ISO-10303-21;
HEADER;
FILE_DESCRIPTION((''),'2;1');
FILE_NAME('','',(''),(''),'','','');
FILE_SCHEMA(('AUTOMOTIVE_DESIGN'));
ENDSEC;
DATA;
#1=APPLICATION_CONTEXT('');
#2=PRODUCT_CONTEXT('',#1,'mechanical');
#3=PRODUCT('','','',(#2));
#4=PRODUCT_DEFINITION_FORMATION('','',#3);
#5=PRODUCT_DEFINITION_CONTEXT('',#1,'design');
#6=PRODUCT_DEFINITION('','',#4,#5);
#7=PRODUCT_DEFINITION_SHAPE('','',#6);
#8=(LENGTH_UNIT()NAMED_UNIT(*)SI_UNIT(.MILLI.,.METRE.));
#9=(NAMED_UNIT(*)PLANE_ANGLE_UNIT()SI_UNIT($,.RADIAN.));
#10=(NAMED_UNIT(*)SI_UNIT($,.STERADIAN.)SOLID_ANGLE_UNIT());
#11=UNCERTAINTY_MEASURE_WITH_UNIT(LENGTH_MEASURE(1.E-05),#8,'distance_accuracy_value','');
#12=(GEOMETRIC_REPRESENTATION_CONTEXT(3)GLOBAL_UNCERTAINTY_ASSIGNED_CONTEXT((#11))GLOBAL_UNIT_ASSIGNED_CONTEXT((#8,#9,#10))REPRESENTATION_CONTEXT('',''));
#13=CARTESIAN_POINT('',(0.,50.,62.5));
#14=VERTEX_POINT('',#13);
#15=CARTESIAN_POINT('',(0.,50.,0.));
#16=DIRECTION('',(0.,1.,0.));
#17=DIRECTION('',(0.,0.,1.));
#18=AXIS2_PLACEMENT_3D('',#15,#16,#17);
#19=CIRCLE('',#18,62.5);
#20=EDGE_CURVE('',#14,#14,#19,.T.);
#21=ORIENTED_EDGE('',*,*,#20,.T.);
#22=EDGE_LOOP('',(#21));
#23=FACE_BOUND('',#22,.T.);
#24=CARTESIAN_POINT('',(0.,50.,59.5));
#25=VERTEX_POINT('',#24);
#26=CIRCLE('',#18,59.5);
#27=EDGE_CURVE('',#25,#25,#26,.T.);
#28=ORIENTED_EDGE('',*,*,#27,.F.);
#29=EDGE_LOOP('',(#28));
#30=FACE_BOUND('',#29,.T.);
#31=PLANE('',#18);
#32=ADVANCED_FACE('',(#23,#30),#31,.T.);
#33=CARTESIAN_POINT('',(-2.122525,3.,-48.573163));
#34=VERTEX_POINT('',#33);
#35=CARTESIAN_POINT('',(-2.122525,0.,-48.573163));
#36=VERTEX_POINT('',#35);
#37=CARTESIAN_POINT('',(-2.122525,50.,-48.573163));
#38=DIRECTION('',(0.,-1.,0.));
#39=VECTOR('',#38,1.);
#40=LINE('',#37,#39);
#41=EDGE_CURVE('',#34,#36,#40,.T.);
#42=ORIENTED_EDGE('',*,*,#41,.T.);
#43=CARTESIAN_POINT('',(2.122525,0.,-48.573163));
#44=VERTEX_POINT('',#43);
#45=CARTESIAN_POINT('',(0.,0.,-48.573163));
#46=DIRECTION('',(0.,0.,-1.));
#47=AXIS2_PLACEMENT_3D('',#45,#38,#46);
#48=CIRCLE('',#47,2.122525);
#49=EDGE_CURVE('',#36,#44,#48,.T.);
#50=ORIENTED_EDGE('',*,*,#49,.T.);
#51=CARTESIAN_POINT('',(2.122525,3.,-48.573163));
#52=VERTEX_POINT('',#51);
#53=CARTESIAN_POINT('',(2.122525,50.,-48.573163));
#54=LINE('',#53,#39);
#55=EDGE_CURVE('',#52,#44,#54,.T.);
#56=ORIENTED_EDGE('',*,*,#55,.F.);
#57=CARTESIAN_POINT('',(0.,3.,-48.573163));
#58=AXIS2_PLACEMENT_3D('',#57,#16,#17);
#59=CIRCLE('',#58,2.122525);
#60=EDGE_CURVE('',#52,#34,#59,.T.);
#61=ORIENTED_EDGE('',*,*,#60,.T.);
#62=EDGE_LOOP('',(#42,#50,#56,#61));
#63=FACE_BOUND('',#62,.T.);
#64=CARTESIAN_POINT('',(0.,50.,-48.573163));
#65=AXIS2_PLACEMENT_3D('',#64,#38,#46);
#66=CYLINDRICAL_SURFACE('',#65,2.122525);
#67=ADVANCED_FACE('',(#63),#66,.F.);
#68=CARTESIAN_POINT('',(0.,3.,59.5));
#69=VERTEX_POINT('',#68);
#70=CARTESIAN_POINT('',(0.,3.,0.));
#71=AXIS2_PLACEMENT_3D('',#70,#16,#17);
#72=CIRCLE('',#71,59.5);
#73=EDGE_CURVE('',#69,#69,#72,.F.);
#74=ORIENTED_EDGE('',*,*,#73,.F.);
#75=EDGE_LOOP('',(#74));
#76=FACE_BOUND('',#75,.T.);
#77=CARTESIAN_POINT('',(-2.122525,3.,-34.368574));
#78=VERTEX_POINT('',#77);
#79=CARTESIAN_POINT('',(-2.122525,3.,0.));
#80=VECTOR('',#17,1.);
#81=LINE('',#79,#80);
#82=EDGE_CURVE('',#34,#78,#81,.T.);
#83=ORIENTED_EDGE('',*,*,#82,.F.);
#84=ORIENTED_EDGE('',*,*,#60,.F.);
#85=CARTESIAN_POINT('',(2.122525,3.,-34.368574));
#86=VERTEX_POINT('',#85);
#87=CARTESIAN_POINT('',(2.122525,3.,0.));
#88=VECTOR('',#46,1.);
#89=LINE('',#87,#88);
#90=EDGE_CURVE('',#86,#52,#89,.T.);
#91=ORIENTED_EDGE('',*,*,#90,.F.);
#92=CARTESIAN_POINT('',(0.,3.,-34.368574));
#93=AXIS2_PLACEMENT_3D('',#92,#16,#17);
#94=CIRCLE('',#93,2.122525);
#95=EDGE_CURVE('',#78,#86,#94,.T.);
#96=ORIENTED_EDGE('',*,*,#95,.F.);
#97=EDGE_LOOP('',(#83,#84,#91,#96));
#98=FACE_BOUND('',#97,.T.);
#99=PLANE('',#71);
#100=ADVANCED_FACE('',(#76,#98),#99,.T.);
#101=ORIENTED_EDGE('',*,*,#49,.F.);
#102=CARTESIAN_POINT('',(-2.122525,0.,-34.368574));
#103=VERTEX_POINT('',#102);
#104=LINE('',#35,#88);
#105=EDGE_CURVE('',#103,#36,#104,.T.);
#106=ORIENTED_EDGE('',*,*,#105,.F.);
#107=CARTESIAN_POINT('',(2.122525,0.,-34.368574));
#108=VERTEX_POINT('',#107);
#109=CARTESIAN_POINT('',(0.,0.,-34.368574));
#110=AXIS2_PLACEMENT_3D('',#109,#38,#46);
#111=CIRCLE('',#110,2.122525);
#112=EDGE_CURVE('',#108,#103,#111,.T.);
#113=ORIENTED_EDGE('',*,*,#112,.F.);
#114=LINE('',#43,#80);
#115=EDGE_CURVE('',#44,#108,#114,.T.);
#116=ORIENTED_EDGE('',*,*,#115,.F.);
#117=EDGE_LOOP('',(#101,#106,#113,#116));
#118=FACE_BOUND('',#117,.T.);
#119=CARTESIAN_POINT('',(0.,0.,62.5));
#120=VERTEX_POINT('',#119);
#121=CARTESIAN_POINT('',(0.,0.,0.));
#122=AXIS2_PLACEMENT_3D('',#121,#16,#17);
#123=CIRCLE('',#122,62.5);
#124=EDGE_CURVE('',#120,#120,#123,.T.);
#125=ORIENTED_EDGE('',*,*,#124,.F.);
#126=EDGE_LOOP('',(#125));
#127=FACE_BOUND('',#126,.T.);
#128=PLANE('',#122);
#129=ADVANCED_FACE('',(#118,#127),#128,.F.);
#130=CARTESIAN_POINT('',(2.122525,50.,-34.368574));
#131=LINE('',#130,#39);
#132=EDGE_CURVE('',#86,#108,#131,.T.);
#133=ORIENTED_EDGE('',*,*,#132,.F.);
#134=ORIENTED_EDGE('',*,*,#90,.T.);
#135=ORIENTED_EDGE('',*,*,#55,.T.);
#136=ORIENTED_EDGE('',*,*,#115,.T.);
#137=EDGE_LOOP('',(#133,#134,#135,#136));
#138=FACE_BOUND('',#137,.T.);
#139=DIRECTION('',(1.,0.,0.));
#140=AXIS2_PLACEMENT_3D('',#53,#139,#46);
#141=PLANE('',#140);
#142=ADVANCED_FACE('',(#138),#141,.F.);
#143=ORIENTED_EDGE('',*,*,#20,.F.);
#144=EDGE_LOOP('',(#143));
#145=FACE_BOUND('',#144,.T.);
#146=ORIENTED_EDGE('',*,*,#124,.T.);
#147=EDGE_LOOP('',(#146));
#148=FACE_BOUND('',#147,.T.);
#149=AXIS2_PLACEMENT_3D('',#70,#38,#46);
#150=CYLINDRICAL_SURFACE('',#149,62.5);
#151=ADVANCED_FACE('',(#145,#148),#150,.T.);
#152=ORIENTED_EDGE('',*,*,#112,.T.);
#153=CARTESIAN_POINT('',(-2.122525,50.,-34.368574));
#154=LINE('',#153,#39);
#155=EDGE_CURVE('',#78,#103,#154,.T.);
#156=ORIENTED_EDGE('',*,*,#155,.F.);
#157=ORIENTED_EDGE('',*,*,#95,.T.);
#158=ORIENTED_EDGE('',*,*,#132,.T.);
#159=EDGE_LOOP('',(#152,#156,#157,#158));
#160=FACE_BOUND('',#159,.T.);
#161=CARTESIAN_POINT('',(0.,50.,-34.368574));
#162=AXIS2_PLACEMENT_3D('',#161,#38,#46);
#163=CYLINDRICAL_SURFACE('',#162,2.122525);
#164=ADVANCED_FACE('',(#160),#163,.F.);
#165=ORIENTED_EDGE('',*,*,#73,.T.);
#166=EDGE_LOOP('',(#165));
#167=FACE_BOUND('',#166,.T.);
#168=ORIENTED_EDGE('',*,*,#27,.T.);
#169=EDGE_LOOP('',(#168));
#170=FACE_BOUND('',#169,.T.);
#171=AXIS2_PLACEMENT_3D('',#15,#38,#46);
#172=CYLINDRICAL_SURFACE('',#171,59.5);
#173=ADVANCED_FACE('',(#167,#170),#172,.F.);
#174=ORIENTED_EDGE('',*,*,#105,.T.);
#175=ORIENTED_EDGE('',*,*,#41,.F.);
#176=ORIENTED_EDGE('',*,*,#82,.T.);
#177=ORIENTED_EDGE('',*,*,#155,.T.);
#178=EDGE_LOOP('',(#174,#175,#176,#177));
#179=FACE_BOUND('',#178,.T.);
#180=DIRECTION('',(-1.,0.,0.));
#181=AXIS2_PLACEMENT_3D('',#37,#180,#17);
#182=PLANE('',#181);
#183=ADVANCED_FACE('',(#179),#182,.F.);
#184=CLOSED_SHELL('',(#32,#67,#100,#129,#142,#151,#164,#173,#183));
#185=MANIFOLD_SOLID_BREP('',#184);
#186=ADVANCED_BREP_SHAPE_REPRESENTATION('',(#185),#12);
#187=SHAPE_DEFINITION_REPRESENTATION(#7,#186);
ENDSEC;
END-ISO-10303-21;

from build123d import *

# Parameters (mm, degrees)
SKETCH1_R           = 62.5
BOSS_EXTRUDE1_DEPTH = 3
SKETCH1_3_R         = 62.5
SKETCH1_3_R_2       = 59.5
BOSS_EXTRUDE2_DEPTH = 50
CUT_EXTRUDE1_DEPTH  = 50


with BuildPart() as part:
    # Sketch1 → Boss-Extrude1 (new body)
    with BuildSketch(Plane(origin=(0, 0, 0), x_dir=(1, 0, 0), z_dir=(0, 1, 0))):
        Circle(SKETCH1_R)
    extrude(amount=BOSS_EXTRUDE1_DEPTH)

    # Sketch1<3> → Boss-Extrude2 (add)
    with BuildSketch(Plane(origin=(0, 0, 0), x_dir=(1, 0, 0), z_dir=(0, 1, 0))):
        Circle(SKETCH1_3_R)
        Circle(SKETCH1_3_R_2, mode=Mode.SUBTRACT)
    extrude(amount=BOSS_EXTRUDE2_DEPTH)

    # Sketch2 → Cut-Extrude1 (cut)
    with BuildSketch(Plane.XZ):
        with BuildLine():
            Line((-2.122524784, -48.573163327), (-2.122524784, -34.368574388))
            ThreePointArc((-2.122524784, -34.368574388), (0, -32.246049604), (2.122524784, -34.368574388))
            Line((2.122524784, -34.368574388), (2.122524784, -48.573163327))
            ThreePointArc((2.122524784, -48.573163327), (0, -50.695688111), (-2.122524784, -48.573163327))
        make_face()
    extrude(amount=-CUT_EXTRUDE1_DEPTH, mode=Mode.SUBTRACT)


solid = part.part
